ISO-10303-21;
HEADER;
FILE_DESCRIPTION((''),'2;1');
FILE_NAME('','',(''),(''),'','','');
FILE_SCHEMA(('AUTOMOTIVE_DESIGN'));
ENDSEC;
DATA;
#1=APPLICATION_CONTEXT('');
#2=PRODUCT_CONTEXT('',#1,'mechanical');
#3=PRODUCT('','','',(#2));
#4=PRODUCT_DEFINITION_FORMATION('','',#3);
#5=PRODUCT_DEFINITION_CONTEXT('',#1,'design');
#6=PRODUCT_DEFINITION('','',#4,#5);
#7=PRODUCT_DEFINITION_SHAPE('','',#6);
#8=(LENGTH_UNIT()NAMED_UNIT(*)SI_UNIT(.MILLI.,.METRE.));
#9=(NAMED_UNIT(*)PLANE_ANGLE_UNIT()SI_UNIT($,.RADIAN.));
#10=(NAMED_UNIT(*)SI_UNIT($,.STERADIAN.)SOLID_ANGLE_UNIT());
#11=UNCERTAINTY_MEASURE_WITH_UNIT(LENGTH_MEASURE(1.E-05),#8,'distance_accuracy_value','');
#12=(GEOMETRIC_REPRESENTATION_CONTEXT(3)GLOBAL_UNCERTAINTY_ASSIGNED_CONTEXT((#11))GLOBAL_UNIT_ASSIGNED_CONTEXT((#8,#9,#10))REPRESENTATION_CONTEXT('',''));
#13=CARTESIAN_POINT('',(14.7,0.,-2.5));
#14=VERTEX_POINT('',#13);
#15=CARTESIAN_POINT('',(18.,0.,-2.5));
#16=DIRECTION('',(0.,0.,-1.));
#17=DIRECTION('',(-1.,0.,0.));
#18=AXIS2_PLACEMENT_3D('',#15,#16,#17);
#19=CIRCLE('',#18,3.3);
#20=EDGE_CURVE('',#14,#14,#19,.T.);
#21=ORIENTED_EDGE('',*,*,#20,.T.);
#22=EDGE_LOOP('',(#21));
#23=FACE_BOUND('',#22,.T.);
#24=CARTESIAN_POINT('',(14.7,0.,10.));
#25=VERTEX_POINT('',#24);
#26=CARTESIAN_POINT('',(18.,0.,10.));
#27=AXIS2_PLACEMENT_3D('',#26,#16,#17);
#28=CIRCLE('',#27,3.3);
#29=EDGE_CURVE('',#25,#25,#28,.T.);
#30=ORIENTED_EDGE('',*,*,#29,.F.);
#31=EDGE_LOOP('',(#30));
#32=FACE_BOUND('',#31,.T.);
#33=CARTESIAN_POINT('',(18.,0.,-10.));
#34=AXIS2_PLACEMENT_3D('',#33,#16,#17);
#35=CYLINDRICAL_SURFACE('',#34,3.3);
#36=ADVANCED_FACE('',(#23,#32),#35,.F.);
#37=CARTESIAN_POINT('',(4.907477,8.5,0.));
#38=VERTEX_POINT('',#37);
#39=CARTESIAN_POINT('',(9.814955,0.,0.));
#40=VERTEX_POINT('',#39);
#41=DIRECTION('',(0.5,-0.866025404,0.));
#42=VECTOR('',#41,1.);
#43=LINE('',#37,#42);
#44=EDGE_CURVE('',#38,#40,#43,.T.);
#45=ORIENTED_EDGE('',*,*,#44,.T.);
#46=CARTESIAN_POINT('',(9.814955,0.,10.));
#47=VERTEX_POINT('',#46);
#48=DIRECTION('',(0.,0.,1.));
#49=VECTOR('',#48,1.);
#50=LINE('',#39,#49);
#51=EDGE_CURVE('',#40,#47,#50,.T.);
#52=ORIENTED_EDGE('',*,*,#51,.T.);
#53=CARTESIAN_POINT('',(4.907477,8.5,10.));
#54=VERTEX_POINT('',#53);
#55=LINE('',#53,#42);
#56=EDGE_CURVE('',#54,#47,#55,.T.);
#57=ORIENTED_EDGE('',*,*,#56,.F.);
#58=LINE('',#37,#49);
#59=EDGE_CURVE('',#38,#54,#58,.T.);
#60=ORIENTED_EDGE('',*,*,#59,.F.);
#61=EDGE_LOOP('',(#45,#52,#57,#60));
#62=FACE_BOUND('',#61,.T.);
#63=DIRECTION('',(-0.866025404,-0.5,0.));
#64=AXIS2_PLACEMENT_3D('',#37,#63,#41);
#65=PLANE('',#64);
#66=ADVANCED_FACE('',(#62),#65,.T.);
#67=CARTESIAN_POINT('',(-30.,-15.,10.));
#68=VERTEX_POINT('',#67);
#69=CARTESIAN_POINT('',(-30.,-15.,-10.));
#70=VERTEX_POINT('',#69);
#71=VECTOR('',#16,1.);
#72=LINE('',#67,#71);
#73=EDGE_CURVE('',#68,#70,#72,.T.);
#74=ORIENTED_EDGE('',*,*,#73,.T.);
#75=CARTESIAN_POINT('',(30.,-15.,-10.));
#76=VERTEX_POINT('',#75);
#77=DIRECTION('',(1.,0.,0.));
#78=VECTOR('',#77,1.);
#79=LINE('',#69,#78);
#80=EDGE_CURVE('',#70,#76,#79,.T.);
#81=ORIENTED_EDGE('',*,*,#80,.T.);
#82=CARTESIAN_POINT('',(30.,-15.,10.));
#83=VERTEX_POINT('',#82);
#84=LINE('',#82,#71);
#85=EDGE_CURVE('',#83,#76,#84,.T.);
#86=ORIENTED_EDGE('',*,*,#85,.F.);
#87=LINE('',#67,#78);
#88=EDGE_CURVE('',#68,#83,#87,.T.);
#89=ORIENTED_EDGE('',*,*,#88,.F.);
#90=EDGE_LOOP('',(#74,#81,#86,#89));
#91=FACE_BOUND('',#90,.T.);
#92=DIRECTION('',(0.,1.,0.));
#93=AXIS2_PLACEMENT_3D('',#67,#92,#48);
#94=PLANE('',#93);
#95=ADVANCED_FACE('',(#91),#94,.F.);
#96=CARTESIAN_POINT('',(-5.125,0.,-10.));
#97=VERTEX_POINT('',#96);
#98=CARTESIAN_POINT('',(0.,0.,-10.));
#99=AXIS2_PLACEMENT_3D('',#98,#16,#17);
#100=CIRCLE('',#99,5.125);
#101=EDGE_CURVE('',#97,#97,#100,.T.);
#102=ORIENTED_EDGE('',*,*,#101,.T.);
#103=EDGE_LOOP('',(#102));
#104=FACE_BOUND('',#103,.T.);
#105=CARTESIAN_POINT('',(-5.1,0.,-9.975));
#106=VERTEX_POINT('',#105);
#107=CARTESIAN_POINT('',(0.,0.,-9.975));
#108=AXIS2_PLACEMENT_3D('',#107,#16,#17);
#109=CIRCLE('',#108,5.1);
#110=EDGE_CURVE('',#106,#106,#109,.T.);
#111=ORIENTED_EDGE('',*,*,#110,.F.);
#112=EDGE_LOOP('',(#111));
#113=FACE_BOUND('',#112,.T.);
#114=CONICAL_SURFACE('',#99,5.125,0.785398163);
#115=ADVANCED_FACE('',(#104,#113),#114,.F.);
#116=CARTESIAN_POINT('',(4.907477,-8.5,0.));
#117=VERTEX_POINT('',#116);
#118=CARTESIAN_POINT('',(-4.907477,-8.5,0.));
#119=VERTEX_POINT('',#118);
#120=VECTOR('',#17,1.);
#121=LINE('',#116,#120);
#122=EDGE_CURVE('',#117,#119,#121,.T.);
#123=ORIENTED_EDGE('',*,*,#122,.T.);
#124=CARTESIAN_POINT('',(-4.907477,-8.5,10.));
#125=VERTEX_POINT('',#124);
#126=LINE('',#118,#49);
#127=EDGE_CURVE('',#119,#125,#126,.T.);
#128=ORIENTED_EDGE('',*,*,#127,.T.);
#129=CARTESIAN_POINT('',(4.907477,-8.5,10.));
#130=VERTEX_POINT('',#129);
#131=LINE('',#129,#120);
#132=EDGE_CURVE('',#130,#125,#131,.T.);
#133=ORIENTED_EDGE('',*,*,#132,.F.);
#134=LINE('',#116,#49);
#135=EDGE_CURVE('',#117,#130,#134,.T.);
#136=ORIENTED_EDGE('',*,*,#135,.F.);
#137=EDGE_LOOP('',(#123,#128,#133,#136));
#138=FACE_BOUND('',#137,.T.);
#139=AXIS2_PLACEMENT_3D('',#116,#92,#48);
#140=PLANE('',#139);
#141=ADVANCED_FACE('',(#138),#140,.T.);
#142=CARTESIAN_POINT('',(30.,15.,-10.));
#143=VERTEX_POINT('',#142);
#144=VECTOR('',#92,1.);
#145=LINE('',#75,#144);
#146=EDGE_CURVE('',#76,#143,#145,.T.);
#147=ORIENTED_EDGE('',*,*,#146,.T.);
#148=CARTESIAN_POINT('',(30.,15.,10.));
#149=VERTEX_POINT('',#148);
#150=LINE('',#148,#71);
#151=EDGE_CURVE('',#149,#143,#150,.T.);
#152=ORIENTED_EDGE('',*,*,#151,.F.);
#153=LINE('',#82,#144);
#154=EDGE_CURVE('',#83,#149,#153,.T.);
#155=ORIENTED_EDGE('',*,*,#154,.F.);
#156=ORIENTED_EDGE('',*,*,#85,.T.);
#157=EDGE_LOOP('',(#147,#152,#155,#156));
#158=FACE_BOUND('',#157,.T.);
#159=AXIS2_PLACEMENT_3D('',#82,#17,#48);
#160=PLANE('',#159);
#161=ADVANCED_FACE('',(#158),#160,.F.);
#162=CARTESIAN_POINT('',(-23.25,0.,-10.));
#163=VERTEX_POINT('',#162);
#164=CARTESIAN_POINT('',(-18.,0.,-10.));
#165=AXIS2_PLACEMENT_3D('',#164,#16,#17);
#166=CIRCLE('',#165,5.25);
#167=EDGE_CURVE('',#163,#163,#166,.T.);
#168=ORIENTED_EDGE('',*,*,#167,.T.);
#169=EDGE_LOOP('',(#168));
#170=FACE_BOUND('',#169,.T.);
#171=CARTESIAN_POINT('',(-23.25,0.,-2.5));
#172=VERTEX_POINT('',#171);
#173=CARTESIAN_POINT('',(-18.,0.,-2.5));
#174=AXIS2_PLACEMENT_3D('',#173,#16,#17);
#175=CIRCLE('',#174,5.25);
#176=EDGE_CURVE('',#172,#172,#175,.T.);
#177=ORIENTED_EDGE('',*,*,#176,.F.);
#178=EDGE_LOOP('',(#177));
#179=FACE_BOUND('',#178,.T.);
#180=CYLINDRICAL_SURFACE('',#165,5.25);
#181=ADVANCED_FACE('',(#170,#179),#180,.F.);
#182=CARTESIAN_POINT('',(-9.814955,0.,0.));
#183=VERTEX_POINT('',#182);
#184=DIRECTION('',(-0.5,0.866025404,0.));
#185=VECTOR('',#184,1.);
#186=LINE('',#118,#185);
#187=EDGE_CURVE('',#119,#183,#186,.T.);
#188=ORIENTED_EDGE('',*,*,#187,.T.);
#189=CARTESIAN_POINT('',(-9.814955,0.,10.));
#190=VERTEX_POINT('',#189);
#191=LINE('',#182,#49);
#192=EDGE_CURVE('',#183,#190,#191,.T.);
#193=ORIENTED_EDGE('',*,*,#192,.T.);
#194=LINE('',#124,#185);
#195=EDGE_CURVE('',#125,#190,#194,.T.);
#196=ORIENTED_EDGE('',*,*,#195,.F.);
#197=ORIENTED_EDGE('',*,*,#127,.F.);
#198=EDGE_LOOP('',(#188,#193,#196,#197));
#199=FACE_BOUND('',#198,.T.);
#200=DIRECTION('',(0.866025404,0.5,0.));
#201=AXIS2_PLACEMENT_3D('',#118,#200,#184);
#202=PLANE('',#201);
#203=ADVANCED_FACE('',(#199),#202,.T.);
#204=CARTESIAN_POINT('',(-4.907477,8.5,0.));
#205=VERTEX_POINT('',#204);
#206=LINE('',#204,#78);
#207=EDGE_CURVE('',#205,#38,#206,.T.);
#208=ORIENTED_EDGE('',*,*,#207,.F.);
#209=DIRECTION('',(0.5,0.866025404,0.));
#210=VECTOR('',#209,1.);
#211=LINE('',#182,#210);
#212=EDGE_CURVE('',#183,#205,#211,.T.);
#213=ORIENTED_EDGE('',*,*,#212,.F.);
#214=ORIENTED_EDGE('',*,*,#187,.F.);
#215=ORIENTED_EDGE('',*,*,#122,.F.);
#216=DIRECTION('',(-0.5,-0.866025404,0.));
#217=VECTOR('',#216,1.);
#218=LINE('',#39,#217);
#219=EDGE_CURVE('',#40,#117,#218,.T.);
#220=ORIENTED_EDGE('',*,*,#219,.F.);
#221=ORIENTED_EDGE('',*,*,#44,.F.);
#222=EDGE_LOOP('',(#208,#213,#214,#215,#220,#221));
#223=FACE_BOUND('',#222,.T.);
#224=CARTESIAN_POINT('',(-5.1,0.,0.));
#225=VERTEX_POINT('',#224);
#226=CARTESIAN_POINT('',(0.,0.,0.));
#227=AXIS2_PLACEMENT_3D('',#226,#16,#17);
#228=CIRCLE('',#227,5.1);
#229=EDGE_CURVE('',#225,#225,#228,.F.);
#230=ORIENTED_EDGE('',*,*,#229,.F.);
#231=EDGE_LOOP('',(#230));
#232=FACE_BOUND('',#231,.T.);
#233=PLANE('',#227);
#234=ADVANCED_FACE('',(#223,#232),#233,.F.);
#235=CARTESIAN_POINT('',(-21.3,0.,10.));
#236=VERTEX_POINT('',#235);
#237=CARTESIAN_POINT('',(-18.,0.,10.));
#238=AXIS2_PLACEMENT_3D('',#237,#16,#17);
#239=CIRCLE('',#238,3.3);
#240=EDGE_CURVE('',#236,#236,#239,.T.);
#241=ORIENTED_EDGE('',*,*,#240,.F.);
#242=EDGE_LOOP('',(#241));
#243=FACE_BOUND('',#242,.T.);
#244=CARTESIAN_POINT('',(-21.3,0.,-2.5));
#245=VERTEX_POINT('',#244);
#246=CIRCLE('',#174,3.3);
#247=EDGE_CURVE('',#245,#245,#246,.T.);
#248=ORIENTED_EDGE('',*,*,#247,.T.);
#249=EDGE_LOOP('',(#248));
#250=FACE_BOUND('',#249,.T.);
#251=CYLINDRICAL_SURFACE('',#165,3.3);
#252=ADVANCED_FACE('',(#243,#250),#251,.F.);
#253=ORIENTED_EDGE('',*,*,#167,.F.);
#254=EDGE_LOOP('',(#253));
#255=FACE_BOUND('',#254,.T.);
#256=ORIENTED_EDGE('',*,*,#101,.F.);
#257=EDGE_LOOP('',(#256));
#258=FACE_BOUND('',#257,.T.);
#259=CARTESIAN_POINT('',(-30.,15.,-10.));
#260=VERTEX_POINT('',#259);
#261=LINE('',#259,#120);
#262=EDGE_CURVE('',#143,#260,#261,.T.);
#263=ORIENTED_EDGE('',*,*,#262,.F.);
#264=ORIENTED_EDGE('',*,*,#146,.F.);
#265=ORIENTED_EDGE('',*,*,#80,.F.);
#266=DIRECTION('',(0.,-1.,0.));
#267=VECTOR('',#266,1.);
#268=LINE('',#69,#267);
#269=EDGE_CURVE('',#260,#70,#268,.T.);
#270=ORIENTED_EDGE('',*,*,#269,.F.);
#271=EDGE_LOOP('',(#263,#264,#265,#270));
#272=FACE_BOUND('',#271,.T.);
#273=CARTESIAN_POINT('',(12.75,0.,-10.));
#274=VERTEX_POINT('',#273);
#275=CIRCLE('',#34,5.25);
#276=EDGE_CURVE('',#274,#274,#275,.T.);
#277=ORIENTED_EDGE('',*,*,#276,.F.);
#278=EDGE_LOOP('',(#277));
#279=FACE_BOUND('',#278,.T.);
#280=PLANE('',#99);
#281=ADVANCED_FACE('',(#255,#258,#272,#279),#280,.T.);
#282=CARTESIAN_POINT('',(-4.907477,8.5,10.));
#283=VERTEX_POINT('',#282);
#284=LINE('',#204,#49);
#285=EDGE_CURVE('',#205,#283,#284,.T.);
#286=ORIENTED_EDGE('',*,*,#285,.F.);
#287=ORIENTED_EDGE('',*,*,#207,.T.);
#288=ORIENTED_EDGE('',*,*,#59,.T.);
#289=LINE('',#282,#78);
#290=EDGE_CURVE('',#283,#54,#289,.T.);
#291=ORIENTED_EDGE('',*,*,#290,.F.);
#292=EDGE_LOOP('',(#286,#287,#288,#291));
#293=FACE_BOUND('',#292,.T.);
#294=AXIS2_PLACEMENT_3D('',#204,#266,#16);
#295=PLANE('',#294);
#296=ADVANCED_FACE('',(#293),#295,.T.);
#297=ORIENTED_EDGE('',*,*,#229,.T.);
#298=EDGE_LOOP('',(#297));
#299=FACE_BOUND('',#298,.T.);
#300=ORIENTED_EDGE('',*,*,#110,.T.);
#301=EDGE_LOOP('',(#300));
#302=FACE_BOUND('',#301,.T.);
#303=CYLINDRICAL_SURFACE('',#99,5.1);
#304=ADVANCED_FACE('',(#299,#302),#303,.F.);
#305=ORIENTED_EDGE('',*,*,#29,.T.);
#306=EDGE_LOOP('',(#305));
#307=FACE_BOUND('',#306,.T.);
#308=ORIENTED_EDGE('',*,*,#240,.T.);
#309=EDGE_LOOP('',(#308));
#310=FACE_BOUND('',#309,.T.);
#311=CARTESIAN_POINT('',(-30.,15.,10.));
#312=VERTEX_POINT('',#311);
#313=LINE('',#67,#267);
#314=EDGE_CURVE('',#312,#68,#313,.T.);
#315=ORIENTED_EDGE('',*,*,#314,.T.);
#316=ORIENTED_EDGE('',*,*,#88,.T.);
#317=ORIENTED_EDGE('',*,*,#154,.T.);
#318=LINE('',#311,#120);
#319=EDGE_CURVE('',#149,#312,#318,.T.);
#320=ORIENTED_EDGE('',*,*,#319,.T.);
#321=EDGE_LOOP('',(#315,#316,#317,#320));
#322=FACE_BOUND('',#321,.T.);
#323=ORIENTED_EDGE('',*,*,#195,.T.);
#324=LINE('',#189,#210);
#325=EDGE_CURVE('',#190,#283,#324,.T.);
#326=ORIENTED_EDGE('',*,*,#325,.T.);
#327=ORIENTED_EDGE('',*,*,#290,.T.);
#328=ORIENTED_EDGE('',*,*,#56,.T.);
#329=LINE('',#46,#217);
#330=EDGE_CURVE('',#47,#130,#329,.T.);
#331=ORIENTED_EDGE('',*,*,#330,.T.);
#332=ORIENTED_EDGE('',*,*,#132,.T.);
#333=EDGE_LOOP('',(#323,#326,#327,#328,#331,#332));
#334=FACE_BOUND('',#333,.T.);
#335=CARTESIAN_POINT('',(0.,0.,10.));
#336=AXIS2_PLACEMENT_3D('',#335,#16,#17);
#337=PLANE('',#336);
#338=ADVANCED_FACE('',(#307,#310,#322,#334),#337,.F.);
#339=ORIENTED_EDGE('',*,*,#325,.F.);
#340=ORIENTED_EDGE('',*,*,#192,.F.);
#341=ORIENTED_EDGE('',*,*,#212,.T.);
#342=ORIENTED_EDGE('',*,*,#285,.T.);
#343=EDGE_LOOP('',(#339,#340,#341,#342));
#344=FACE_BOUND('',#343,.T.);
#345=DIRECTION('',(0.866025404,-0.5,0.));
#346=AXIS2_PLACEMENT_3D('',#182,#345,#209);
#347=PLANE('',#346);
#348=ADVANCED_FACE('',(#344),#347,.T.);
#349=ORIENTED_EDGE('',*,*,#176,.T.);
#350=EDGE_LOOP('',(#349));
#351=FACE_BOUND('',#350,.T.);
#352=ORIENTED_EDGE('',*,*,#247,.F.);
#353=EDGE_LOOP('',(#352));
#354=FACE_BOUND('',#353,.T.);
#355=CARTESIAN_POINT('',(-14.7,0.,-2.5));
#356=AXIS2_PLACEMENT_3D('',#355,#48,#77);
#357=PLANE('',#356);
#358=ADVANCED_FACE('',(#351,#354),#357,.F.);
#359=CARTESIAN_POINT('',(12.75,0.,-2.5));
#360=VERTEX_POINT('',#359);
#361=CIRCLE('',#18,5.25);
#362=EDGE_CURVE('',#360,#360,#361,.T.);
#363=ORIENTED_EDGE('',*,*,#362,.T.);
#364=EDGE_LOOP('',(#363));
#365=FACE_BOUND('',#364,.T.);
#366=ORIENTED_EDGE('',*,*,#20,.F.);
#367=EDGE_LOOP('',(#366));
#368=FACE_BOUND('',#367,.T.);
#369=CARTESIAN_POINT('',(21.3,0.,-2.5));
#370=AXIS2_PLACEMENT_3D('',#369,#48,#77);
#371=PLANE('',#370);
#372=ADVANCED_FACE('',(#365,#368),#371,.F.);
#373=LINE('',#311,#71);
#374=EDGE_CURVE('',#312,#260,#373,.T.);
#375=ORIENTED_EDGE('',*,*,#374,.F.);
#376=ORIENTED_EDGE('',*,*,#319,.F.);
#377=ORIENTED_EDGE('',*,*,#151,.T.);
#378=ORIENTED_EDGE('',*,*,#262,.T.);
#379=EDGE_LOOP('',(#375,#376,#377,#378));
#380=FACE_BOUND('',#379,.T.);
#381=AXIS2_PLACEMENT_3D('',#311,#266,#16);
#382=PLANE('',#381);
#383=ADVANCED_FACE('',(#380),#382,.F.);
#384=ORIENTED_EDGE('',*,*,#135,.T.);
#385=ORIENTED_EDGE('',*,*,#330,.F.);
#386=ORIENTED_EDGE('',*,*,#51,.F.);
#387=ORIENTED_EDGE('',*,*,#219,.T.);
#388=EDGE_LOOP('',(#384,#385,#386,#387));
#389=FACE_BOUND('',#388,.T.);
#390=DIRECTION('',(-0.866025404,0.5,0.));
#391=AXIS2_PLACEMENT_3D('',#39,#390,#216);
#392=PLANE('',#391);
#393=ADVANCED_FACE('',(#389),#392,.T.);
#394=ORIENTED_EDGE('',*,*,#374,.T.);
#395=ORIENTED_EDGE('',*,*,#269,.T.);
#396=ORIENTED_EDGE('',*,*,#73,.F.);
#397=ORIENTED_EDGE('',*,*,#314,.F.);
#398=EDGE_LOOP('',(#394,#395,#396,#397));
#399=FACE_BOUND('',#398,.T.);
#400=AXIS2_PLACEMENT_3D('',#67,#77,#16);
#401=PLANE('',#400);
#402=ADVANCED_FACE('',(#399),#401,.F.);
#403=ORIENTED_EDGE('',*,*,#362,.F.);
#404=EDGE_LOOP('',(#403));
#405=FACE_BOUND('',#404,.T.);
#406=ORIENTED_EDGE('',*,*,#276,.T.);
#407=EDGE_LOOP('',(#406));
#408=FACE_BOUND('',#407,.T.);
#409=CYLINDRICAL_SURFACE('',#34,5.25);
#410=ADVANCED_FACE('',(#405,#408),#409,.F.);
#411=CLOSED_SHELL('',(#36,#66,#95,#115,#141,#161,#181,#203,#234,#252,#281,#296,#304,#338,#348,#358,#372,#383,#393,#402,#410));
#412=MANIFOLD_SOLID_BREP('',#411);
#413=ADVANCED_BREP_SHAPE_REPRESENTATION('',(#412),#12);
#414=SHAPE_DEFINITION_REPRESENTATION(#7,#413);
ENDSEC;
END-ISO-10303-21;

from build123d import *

# Parameters (mm, degrees)
SKETCH3_W                                    = 60
SKETCH3_H                                    = 30
BOSS_EXTRUDE1_DEPTH                          = 10
CBORE_FOR_M6_HEX_HEAD_CAP_SCREW1_D           = 6.6
CBORE_FOR_M6_HEX_HEAD_CAP_SCREW1_CBORE_D     = 10.5
CBORE_FOR_M6_HEX_HEAD_CAP_SCREW1_CBORE_DEPTH = 7.5
CUT_EXTRUDE1_DEPTH                           = 10


with BuildPart() as part:
    # Sketch3 → Boss-Extrude1 (new, symmetric)
    with BuildSketch(Plane.XY):
        Rectangle(SKETCH3_W, SKETCH3_H)
    extrude(amount=BOSS_EXTRUDE1_DEPTH, both=True)

    # CBORE for M6 Hex Head Cap Screw1 (through all)
    with Locations(Plane(origin=(0, 0, -10), x_dir=(-1, 0, 0), z_dir=(0, 0, -1))):
        with Locations((18, 0), (-18, 0)):
            CounterBoreHole(CBORE_FOR_M6_HEX_HEAD_CAP_SCREW1_D / 2, CBORE_FOR_M6_HEX_HEAD_CAP_SCREW1_CBORE_D / 2, CBORE_FOR_M6_HEX_HEAD_CAP_SCREW1_CBORE_DEPTH)

    # Sketch9 → Tap Drill for M12 Tap1 (revolve, cut)
    with BuildSketch(Plane(origin=(0, 0, -10), x_dir=(0, 1, 0), z_dir=(1, 0, 0))):
        Polygon((0, 0), (0, 20), (5.125, 20), (5.1, 19.975), (5.1, 0.025), (5.125, 0), align=None)
    revolve(axis=Axis((0, 0, -16.35), (0, 0, 1)), mode=Mode.SUBTRACT)

    # Sketch11 → Cut-Extrude1 (cut)
    with BuildSketch(Plane(origin=(0, 0, 10), x_dir=(-1, 0, 0), z_dir=(0, 0, -1))):
        Polygon((4.907477288, 8.5), (-4.907477288, 8.5), (-9.814954576, 0), (-4.907477288, -8.5), (4.907477288, -8.5), (9.814954576, 0), align=None)
    extrude(amount=CUT_EXTRUDE1_DEPTH, mode=Mode.SUBTRACT)


solid = part.part
